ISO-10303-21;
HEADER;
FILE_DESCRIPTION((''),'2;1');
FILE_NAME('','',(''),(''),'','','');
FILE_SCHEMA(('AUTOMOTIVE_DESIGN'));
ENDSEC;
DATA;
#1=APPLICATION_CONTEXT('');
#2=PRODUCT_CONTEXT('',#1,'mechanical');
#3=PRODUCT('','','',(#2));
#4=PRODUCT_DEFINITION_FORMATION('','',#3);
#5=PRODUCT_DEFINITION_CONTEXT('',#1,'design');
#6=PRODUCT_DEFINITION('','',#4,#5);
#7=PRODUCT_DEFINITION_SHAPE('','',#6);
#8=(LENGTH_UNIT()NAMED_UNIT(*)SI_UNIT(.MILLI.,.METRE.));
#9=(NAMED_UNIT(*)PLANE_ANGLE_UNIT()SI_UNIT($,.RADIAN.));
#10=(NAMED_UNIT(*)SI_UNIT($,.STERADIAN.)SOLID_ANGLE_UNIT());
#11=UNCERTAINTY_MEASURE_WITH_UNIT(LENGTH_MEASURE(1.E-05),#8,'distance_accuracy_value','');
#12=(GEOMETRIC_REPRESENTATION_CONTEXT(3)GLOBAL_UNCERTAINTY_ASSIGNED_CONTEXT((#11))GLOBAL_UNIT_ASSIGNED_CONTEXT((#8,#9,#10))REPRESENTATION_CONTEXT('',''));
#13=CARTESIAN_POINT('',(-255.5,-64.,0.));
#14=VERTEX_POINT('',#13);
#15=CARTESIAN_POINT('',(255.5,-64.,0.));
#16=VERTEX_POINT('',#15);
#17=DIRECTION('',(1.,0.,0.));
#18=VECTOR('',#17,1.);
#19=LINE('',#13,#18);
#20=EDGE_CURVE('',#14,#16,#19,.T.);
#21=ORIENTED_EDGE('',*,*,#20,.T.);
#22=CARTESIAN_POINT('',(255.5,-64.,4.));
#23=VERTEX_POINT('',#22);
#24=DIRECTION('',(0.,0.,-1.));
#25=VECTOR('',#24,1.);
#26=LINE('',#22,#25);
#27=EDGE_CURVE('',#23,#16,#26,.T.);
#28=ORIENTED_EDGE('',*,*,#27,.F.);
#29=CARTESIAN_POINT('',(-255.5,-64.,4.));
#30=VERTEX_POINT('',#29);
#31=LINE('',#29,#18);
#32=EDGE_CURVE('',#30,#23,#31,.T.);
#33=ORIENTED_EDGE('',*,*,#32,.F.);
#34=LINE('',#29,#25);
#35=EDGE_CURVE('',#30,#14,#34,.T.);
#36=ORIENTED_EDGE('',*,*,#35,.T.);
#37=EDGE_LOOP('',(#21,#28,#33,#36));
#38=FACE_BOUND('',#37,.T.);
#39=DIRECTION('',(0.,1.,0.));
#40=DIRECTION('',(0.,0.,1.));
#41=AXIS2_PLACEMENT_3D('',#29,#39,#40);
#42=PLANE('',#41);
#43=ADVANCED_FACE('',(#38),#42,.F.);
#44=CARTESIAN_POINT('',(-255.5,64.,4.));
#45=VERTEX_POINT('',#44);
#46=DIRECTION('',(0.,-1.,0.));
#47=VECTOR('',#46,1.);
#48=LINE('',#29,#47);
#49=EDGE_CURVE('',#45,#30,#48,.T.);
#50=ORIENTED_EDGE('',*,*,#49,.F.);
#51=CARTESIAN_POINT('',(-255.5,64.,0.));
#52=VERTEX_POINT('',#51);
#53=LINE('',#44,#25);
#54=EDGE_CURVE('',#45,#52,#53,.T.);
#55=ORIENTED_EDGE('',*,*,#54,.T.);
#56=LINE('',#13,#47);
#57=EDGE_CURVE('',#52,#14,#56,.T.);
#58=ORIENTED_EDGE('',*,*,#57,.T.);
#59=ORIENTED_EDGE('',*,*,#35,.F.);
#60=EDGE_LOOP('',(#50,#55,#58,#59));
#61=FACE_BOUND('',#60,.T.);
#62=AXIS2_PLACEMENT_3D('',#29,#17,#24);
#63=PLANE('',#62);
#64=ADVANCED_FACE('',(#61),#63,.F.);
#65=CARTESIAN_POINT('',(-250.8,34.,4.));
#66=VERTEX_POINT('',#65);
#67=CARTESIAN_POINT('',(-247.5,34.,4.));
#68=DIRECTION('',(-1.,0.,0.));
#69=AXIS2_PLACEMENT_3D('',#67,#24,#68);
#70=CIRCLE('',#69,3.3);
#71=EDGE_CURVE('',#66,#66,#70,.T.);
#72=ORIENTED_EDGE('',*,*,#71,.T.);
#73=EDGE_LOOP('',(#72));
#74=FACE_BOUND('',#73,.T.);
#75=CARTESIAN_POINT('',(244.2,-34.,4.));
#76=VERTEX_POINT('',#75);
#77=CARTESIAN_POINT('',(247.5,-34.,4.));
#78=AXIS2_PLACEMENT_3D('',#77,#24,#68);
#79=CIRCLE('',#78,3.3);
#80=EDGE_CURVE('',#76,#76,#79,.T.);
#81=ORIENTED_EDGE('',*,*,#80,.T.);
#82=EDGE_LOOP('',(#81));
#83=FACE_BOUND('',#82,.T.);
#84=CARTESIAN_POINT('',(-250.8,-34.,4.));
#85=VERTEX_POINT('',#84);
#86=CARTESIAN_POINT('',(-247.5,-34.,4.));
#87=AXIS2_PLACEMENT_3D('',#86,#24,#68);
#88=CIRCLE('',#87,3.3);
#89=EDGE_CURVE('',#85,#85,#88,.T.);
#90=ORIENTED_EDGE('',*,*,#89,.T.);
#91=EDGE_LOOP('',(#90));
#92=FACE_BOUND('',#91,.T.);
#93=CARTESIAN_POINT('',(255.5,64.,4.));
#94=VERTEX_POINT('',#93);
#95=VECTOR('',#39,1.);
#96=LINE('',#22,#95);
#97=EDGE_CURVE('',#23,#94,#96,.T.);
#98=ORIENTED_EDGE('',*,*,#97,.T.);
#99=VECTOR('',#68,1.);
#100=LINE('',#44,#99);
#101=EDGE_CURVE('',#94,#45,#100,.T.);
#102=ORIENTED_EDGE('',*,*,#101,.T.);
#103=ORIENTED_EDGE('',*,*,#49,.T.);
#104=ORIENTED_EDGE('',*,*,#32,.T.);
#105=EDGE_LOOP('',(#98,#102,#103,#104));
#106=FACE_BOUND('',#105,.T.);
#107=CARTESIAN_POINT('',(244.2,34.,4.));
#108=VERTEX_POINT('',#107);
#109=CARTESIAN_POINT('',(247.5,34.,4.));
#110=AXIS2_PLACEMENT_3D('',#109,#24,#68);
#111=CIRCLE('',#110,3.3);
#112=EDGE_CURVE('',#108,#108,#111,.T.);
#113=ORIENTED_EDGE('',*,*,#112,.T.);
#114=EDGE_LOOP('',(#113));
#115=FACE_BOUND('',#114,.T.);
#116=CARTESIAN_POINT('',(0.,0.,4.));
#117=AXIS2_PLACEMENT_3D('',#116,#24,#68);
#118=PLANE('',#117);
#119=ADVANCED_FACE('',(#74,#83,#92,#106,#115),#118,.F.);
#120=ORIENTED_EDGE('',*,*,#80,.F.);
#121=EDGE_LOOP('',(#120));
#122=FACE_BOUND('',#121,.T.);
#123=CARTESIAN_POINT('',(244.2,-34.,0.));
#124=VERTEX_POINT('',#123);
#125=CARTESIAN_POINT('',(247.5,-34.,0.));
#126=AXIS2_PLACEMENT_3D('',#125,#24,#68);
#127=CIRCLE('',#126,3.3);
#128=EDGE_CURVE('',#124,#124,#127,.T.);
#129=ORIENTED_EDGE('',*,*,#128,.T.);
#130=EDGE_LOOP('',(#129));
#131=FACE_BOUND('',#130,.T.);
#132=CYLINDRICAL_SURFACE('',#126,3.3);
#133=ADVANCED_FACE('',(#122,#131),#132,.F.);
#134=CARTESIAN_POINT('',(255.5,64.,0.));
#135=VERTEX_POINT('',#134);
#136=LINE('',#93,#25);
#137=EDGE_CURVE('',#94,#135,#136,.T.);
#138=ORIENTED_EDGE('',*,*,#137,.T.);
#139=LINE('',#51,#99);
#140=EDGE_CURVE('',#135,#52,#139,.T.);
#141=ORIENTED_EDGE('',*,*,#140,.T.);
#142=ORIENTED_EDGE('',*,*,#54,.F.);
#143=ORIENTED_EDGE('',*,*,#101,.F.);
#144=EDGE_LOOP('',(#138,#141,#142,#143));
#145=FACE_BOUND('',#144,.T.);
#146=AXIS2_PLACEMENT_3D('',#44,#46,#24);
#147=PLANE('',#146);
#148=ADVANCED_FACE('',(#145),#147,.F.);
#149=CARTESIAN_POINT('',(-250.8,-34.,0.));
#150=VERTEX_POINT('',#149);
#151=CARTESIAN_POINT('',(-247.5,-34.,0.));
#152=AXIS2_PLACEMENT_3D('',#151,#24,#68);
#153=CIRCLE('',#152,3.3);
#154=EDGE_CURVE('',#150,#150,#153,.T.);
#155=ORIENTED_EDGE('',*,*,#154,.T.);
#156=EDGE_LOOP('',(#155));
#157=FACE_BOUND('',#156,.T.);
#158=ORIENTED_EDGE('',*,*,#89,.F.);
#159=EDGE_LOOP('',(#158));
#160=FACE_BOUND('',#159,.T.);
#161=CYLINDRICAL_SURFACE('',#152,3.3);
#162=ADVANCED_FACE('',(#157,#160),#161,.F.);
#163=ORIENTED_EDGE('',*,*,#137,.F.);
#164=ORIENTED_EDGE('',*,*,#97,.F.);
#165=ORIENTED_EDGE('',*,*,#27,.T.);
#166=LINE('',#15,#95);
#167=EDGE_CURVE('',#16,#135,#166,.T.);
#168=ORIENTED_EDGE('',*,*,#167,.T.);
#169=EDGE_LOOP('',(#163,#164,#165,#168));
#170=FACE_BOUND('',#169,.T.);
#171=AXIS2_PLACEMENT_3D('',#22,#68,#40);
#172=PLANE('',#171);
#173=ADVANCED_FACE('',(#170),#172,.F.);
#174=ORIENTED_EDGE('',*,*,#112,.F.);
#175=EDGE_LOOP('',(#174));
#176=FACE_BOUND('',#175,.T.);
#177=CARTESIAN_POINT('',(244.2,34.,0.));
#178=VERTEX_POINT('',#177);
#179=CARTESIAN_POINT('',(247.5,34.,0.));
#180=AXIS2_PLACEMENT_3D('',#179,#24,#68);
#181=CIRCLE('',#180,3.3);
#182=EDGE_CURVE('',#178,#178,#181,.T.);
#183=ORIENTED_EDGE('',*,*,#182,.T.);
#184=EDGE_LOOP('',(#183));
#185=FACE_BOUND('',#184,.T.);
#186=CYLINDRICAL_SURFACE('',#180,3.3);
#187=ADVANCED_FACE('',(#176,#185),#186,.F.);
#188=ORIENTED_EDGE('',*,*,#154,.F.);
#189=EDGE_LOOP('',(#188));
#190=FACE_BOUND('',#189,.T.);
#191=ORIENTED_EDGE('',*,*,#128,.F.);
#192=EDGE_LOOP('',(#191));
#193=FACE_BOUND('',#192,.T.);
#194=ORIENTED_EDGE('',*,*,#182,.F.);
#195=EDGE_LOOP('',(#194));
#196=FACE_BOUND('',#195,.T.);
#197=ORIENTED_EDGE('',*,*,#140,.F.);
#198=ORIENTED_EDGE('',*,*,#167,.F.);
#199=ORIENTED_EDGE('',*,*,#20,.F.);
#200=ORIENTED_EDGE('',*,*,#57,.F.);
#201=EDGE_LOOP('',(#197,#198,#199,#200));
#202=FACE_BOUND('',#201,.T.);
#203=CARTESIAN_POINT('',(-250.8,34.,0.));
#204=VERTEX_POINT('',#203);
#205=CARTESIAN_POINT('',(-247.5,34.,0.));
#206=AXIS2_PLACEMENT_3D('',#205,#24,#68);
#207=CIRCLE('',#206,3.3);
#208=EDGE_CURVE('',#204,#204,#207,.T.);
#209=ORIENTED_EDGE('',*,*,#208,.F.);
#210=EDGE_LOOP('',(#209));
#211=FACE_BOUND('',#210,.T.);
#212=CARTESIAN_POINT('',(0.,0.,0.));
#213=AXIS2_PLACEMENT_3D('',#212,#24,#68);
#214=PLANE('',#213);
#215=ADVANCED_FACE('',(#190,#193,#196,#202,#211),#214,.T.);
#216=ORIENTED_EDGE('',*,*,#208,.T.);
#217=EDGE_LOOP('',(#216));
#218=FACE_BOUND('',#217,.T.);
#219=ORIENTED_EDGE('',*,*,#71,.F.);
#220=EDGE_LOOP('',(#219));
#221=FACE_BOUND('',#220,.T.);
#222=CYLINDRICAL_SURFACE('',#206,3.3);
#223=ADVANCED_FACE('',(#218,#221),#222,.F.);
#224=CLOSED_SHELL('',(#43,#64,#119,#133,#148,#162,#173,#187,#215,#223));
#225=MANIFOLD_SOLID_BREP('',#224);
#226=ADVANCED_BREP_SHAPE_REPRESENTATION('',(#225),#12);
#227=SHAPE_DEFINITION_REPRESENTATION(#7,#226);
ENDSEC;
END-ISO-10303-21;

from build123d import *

# Parameters (mm, degrees)
ESQUISSE1_W        = 511
ESQUISSE1_H        = 128
BOSS_EXTRU_1_DEPTH = 4
D_GAGEMENT_M61_D   = 6.6


with BuildPart() as part:
    # Esquisse1 → Boss.-Extru.1 (new body)
    with BuildSketch(Plane.XY):
        Rectangle(ESQUISSE1_W, ESQUISSE1_H)
    extrude(amount=BOSS_EXTRU_1_DEPTH)

    # Dégagement M61 (through all)
    with Locations(Plane(origin=(-247.5, 34, 0), x_dir=(-1, 0, 0), z_dir=(0, 0, -1))):
        with Locations((0, 0), (0, -68), (-495, -68), (-495, 0)):
            Hole(D_GAGEMENT_M61_D / 2)


solid = part.part
